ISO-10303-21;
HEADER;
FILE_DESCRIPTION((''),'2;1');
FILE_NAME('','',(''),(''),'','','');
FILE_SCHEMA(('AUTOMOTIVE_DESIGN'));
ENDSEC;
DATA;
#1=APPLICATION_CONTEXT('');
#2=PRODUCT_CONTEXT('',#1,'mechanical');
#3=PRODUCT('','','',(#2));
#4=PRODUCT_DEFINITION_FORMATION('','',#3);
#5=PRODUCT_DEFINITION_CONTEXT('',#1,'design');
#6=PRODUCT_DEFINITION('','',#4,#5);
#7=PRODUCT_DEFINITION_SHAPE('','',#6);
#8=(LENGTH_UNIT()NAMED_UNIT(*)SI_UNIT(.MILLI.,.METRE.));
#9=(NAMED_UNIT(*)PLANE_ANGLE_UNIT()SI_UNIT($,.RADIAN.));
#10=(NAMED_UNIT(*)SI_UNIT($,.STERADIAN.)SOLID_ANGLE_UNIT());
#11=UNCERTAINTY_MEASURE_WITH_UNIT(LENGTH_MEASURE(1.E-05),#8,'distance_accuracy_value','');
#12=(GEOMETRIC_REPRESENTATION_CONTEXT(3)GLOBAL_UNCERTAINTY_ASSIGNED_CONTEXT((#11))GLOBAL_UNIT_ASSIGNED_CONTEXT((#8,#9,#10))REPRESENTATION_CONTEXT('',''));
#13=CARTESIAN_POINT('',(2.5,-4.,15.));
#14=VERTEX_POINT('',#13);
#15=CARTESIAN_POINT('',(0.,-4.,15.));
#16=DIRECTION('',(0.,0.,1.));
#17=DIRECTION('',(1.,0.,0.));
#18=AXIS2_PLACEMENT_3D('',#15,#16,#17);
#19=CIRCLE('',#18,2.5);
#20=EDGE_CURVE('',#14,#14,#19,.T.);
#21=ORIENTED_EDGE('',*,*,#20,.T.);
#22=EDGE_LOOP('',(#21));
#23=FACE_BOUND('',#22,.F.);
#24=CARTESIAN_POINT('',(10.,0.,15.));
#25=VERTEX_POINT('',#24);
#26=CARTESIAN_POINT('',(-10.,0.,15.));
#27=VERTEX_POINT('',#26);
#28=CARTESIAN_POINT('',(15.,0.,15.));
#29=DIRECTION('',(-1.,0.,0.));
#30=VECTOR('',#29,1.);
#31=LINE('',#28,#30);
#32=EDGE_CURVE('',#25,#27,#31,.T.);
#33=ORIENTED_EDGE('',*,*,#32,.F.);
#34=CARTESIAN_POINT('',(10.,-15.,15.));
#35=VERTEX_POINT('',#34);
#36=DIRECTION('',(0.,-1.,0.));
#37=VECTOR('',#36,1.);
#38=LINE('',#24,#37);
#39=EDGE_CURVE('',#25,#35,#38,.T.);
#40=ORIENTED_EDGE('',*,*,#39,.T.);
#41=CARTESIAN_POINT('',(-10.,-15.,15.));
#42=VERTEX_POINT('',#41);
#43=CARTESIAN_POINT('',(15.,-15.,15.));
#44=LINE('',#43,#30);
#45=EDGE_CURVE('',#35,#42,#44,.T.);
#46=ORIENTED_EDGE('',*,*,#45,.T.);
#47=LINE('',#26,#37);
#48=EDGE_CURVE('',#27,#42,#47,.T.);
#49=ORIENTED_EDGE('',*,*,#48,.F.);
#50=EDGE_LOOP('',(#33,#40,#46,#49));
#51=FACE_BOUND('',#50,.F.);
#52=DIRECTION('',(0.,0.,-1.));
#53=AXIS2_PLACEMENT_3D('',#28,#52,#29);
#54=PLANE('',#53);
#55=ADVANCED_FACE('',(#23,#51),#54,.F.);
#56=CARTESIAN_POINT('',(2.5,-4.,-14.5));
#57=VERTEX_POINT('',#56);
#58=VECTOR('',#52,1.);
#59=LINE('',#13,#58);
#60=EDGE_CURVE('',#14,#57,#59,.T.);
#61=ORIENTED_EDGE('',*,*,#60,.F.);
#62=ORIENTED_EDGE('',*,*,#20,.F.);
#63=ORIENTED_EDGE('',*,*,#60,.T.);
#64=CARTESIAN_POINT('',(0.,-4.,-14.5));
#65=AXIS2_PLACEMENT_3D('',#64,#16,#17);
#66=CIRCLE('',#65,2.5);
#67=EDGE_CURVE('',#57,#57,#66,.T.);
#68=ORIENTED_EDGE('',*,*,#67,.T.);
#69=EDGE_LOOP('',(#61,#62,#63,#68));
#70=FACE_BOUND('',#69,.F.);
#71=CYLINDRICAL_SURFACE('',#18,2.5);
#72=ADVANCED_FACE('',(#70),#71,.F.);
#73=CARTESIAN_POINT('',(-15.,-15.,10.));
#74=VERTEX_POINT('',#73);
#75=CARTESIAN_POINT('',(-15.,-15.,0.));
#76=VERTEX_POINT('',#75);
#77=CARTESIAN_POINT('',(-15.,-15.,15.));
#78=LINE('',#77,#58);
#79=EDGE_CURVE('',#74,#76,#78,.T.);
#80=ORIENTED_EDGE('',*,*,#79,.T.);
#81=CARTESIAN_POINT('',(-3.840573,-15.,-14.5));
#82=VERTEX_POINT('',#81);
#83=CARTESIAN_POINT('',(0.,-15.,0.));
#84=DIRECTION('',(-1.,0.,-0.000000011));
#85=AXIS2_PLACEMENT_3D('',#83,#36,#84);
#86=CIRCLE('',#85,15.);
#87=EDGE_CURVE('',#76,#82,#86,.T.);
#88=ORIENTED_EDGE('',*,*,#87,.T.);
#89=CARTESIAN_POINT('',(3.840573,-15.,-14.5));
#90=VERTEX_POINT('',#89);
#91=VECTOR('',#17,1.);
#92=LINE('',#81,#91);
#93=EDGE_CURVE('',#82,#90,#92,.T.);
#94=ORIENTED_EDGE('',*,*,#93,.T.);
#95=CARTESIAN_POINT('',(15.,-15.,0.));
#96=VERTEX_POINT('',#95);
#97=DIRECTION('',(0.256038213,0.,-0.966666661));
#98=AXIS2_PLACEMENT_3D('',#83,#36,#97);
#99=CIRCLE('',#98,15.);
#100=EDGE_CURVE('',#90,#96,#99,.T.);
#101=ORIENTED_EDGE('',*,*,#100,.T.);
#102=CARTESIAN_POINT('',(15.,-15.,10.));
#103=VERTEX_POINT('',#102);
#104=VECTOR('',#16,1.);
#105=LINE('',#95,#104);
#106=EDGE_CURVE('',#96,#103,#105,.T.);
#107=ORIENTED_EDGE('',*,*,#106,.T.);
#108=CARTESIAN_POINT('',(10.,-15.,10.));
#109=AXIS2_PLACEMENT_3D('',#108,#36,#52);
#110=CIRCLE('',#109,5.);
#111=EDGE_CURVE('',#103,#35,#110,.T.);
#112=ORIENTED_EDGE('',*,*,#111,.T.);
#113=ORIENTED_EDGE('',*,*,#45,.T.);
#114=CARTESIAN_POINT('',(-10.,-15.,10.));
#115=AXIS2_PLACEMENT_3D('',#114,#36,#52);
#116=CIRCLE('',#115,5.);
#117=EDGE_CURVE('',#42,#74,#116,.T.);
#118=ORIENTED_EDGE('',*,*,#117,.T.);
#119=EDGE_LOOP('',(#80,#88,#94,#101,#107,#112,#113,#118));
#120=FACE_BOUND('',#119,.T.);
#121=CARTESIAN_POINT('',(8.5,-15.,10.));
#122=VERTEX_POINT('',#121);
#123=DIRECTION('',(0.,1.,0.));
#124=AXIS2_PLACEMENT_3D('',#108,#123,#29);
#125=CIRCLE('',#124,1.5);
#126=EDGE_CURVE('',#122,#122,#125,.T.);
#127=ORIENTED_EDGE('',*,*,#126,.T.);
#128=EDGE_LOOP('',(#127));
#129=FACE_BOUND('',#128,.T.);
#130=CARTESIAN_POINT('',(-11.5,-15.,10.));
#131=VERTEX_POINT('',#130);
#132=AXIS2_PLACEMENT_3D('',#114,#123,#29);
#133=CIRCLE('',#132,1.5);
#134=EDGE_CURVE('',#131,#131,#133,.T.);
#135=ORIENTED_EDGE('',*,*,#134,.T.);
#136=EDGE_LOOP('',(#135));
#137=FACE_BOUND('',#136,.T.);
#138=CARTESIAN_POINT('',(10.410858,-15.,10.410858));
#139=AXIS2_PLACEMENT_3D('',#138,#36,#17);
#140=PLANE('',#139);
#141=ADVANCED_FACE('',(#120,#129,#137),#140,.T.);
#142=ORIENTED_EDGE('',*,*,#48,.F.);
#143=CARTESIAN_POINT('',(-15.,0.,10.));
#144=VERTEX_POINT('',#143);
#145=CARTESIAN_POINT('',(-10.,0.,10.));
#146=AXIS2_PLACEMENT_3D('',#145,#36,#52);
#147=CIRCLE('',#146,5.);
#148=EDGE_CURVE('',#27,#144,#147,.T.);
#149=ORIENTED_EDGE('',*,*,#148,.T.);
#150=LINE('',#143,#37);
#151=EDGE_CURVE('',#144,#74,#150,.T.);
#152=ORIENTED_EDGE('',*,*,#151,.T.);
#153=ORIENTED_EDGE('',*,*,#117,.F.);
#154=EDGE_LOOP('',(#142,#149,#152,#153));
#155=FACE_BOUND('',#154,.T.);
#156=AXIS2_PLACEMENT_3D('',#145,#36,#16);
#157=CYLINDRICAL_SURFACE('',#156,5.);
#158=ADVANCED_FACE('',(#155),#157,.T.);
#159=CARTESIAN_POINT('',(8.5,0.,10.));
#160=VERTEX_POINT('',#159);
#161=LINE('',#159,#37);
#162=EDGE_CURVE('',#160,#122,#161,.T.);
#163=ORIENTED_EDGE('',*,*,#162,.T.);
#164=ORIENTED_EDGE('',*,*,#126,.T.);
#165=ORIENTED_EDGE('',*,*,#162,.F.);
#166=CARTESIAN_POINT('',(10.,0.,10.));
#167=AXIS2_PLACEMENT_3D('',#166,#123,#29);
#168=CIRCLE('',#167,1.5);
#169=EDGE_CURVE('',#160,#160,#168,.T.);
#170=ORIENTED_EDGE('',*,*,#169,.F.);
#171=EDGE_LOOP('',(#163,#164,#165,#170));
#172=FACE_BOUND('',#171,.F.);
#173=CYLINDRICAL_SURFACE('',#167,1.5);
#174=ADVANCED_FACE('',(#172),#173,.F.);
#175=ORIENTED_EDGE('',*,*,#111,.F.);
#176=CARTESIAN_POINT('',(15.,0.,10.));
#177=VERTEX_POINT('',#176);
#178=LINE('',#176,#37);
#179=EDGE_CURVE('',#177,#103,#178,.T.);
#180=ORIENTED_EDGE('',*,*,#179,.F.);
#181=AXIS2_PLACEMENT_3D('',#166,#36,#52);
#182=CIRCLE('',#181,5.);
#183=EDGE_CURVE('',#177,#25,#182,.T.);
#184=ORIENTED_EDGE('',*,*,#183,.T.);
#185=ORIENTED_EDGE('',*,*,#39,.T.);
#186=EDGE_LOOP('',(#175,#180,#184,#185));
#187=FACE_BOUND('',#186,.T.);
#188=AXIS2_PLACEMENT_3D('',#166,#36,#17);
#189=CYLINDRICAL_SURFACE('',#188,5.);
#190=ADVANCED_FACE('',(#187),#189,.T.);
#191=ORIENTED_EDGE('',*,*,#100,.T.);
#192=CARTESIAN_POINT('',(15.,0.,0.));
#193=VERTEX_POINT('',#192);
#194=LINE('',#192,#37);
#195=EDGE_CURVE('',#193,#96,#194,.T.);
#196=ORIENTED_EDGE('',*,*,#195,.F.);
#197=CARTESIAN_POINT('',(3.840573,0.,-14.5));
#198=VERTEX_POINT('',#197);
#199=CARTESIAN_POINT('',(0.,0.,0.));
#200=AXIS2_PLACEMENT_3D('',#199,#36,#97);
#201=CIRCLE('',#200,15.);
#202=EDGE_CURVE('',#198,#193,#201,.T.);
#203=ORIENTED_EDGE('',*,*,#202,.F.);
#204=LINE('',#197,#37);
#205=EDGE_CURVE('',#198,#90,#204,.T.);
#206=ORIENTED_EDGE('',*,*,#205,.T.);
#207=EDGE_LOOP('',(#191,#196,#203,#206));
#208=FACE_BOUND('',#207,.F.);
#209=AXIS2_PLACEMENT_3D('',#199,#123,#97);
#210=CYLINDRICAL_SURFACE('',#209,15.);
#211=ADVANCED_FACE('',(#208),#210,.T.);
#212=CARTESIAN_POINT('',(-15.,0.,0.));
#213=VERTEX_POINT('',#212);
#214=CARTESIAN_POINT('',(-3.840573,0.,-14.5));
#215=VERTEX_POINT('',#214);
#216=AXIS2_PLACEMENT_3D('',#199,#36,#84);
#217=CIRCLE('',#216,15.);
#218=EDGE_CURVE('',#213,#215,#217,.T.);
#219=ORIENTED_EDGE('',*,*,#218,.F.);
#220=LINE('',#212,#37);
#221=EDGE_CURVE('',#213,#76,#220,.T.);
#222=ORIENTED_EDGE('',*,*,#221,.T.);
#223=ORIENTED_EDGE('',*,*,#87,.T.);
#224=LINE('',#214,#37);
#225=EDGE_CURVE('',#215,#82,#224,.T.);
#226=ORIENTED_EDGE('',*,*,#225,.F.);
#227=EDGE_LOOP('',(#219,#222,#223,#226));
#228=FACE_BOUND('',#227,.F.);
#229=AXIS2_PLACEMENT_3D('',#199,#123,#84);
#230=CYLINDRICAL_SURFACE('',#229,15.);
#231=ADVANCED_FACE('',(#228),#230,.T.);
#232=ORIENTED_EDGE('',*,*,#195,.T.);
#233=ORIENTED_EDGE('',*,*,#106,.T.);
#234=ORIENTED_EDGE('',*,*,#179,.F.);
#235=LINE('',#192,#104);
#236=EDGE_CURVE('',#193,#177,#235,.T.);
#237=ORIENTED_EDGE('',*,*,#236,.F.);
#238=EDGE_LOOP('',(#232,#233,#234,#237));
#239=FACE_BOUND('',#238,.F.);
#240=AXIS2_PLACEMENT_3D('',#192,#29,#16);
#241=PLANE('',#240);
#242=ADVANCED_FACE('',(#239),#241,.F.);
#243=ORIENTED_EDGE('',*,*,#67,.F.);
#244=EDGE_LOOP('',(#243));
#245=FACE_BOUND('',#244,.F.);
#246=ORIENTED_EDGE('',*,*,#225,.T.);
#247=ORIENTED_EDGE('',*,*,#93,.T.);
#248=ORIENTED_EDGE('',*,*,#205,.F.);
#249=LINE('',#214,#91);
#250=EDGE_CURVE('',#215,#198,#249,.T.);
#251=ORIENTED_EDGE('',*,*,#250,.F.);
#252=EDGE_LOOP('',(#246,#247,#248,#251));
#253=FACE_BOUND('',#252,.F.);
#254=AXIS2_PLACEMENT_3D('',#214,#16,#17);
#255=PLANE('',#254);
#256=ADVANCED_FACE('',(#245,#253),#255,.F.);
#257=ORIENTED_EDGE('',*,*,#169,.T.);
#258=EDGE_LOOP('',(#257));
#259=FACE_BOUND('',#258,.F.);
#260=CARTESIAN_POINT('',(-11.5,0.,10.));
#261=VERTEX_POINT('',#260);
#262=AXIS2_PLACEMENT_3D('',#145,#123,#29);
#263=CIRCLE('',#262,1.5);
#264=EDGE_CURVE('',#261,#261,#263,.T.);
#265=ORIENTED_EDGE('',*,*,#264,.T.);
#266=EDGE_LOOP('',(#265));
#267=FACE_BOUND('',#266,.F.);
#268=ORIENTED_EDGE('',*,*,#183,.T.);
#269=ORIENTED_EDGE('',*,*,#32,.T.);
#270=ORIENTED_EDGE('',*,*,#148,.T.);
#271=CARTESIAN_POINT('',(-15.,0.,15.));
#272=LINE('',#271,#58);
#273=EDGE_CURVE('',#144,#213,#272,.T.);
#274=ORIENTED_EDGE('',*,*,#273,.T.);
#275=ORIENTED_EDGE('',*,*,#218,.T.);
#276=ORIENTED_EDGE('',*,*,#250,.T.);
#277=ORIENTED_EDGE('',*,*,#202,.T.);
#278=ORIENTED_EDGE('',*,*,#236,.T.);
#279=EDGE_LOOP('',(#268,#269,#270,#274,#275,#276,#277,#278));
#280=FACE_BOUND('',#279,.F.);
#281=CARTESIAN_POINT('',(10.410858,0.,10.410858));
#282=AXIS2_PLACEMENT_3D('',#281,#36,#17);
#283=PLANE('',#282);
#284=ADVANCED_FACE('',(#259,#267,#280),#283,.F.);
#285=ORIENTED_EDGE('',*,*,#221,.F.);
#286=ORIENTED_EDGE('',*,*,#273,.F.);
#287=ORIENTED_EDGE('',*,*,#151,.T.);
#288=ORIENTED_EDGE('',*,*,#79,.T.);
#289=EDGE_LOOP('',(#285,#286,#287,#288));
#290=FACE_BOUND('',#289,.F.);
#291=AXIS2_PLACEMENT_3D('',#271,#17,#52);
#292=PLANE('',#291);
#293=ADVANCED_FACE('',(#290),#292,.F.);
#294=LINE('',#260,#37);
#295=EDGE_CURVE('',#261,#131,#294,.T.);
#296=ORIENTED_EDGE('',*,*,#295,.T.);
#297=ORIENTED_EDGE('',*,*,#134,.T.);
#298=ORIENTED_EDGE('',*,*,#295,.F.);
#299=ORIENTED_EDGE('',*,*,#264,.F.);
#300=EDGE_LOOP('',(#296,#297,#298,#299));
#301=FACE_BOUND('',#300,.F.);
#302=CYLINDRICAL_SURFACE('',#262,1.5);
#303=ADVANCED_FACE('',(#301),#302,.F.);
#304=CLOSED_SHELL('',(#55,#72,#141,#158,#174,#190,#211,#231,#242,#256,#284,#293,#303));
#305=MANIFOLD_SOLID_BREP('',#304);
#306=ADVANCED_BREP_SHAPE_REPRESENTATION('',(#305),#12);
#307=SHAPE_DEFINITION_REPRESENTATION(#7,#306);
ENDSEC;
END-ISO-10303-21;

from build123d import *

# Parameters (mm, degrees)
F1_DEPTH = 15
F2_R     = 1.5
F3_DEPTH = 25
F4_R     = 5
F5_R     = 2.5
F6_DEPTH = 29.501


with BuildPart() as f1:
    # F0 (on Front) → F1 (new body)
    with BuildSketch(Plane.XZ):
        with BuildLine():
            Line((15, 0), (15, 15))
            Line((15, 15), (0, 15))
            ThreePointArc((0, 15), (10.606602, 10.606602), (15, 0))
        make_face()
        with BuildLine():
            ThreePointArc((-15, 0), (-10.606602, 10.606602), (0, 15))
            Line((0, 15), (-15, 15))
            Line((-15, 15), (-15, 0))
        make_face()
        with BuildLine():
            ThreePointArc((15, 0), (10.606602, 10.606602), (0, 15))
            ThreePointArc((0, 15), (-10.606602, 10.606602), (-15, 0))
            ThreePointArc((-15, 0), (-11.887148, -9.148536), (-3.840573, -14.5))
            Line((-3.840573, -14.5), (3.840573, -14.5))
            ThreePointArc((3.840573, -14.5), (11.887148, -9.148536), (15, 0))
        make_face()
    extrude(amount=F1_DEPTH)

    # F2 (on face) → F3 (cut)
    with BuildSketch(Plane(origin=(0, 0, 0), x_dir=(-1, 0, 0), z_dir=(0, 1, 0))):
        with Locations((10, 10)):
            Circle(F2_R)
        with Locations((-10, 10)):
            Circle(F2_R)
    extrude(amount=-F3_DEPTH, mode=Mode.SUBTRACT)

    # F4
    f4_edges = [f1.edges().sort_by_distance(p)[0] for p in [
        (-15, -7.5, 15),
        (15, -7.5, 15),
    ]]
    fillet(f4_edges, radius=F4_R)

    # F5 (on face) → F6 (cut, through all)
    with BuildSketch(Plane.XY.offset(15)):
        with Locations((0, -4)):
            Circle(F5_R)
    extrude(amount=-F6_DEPTH, mode=Mode.SUBTRACT)


solid = f1.part
